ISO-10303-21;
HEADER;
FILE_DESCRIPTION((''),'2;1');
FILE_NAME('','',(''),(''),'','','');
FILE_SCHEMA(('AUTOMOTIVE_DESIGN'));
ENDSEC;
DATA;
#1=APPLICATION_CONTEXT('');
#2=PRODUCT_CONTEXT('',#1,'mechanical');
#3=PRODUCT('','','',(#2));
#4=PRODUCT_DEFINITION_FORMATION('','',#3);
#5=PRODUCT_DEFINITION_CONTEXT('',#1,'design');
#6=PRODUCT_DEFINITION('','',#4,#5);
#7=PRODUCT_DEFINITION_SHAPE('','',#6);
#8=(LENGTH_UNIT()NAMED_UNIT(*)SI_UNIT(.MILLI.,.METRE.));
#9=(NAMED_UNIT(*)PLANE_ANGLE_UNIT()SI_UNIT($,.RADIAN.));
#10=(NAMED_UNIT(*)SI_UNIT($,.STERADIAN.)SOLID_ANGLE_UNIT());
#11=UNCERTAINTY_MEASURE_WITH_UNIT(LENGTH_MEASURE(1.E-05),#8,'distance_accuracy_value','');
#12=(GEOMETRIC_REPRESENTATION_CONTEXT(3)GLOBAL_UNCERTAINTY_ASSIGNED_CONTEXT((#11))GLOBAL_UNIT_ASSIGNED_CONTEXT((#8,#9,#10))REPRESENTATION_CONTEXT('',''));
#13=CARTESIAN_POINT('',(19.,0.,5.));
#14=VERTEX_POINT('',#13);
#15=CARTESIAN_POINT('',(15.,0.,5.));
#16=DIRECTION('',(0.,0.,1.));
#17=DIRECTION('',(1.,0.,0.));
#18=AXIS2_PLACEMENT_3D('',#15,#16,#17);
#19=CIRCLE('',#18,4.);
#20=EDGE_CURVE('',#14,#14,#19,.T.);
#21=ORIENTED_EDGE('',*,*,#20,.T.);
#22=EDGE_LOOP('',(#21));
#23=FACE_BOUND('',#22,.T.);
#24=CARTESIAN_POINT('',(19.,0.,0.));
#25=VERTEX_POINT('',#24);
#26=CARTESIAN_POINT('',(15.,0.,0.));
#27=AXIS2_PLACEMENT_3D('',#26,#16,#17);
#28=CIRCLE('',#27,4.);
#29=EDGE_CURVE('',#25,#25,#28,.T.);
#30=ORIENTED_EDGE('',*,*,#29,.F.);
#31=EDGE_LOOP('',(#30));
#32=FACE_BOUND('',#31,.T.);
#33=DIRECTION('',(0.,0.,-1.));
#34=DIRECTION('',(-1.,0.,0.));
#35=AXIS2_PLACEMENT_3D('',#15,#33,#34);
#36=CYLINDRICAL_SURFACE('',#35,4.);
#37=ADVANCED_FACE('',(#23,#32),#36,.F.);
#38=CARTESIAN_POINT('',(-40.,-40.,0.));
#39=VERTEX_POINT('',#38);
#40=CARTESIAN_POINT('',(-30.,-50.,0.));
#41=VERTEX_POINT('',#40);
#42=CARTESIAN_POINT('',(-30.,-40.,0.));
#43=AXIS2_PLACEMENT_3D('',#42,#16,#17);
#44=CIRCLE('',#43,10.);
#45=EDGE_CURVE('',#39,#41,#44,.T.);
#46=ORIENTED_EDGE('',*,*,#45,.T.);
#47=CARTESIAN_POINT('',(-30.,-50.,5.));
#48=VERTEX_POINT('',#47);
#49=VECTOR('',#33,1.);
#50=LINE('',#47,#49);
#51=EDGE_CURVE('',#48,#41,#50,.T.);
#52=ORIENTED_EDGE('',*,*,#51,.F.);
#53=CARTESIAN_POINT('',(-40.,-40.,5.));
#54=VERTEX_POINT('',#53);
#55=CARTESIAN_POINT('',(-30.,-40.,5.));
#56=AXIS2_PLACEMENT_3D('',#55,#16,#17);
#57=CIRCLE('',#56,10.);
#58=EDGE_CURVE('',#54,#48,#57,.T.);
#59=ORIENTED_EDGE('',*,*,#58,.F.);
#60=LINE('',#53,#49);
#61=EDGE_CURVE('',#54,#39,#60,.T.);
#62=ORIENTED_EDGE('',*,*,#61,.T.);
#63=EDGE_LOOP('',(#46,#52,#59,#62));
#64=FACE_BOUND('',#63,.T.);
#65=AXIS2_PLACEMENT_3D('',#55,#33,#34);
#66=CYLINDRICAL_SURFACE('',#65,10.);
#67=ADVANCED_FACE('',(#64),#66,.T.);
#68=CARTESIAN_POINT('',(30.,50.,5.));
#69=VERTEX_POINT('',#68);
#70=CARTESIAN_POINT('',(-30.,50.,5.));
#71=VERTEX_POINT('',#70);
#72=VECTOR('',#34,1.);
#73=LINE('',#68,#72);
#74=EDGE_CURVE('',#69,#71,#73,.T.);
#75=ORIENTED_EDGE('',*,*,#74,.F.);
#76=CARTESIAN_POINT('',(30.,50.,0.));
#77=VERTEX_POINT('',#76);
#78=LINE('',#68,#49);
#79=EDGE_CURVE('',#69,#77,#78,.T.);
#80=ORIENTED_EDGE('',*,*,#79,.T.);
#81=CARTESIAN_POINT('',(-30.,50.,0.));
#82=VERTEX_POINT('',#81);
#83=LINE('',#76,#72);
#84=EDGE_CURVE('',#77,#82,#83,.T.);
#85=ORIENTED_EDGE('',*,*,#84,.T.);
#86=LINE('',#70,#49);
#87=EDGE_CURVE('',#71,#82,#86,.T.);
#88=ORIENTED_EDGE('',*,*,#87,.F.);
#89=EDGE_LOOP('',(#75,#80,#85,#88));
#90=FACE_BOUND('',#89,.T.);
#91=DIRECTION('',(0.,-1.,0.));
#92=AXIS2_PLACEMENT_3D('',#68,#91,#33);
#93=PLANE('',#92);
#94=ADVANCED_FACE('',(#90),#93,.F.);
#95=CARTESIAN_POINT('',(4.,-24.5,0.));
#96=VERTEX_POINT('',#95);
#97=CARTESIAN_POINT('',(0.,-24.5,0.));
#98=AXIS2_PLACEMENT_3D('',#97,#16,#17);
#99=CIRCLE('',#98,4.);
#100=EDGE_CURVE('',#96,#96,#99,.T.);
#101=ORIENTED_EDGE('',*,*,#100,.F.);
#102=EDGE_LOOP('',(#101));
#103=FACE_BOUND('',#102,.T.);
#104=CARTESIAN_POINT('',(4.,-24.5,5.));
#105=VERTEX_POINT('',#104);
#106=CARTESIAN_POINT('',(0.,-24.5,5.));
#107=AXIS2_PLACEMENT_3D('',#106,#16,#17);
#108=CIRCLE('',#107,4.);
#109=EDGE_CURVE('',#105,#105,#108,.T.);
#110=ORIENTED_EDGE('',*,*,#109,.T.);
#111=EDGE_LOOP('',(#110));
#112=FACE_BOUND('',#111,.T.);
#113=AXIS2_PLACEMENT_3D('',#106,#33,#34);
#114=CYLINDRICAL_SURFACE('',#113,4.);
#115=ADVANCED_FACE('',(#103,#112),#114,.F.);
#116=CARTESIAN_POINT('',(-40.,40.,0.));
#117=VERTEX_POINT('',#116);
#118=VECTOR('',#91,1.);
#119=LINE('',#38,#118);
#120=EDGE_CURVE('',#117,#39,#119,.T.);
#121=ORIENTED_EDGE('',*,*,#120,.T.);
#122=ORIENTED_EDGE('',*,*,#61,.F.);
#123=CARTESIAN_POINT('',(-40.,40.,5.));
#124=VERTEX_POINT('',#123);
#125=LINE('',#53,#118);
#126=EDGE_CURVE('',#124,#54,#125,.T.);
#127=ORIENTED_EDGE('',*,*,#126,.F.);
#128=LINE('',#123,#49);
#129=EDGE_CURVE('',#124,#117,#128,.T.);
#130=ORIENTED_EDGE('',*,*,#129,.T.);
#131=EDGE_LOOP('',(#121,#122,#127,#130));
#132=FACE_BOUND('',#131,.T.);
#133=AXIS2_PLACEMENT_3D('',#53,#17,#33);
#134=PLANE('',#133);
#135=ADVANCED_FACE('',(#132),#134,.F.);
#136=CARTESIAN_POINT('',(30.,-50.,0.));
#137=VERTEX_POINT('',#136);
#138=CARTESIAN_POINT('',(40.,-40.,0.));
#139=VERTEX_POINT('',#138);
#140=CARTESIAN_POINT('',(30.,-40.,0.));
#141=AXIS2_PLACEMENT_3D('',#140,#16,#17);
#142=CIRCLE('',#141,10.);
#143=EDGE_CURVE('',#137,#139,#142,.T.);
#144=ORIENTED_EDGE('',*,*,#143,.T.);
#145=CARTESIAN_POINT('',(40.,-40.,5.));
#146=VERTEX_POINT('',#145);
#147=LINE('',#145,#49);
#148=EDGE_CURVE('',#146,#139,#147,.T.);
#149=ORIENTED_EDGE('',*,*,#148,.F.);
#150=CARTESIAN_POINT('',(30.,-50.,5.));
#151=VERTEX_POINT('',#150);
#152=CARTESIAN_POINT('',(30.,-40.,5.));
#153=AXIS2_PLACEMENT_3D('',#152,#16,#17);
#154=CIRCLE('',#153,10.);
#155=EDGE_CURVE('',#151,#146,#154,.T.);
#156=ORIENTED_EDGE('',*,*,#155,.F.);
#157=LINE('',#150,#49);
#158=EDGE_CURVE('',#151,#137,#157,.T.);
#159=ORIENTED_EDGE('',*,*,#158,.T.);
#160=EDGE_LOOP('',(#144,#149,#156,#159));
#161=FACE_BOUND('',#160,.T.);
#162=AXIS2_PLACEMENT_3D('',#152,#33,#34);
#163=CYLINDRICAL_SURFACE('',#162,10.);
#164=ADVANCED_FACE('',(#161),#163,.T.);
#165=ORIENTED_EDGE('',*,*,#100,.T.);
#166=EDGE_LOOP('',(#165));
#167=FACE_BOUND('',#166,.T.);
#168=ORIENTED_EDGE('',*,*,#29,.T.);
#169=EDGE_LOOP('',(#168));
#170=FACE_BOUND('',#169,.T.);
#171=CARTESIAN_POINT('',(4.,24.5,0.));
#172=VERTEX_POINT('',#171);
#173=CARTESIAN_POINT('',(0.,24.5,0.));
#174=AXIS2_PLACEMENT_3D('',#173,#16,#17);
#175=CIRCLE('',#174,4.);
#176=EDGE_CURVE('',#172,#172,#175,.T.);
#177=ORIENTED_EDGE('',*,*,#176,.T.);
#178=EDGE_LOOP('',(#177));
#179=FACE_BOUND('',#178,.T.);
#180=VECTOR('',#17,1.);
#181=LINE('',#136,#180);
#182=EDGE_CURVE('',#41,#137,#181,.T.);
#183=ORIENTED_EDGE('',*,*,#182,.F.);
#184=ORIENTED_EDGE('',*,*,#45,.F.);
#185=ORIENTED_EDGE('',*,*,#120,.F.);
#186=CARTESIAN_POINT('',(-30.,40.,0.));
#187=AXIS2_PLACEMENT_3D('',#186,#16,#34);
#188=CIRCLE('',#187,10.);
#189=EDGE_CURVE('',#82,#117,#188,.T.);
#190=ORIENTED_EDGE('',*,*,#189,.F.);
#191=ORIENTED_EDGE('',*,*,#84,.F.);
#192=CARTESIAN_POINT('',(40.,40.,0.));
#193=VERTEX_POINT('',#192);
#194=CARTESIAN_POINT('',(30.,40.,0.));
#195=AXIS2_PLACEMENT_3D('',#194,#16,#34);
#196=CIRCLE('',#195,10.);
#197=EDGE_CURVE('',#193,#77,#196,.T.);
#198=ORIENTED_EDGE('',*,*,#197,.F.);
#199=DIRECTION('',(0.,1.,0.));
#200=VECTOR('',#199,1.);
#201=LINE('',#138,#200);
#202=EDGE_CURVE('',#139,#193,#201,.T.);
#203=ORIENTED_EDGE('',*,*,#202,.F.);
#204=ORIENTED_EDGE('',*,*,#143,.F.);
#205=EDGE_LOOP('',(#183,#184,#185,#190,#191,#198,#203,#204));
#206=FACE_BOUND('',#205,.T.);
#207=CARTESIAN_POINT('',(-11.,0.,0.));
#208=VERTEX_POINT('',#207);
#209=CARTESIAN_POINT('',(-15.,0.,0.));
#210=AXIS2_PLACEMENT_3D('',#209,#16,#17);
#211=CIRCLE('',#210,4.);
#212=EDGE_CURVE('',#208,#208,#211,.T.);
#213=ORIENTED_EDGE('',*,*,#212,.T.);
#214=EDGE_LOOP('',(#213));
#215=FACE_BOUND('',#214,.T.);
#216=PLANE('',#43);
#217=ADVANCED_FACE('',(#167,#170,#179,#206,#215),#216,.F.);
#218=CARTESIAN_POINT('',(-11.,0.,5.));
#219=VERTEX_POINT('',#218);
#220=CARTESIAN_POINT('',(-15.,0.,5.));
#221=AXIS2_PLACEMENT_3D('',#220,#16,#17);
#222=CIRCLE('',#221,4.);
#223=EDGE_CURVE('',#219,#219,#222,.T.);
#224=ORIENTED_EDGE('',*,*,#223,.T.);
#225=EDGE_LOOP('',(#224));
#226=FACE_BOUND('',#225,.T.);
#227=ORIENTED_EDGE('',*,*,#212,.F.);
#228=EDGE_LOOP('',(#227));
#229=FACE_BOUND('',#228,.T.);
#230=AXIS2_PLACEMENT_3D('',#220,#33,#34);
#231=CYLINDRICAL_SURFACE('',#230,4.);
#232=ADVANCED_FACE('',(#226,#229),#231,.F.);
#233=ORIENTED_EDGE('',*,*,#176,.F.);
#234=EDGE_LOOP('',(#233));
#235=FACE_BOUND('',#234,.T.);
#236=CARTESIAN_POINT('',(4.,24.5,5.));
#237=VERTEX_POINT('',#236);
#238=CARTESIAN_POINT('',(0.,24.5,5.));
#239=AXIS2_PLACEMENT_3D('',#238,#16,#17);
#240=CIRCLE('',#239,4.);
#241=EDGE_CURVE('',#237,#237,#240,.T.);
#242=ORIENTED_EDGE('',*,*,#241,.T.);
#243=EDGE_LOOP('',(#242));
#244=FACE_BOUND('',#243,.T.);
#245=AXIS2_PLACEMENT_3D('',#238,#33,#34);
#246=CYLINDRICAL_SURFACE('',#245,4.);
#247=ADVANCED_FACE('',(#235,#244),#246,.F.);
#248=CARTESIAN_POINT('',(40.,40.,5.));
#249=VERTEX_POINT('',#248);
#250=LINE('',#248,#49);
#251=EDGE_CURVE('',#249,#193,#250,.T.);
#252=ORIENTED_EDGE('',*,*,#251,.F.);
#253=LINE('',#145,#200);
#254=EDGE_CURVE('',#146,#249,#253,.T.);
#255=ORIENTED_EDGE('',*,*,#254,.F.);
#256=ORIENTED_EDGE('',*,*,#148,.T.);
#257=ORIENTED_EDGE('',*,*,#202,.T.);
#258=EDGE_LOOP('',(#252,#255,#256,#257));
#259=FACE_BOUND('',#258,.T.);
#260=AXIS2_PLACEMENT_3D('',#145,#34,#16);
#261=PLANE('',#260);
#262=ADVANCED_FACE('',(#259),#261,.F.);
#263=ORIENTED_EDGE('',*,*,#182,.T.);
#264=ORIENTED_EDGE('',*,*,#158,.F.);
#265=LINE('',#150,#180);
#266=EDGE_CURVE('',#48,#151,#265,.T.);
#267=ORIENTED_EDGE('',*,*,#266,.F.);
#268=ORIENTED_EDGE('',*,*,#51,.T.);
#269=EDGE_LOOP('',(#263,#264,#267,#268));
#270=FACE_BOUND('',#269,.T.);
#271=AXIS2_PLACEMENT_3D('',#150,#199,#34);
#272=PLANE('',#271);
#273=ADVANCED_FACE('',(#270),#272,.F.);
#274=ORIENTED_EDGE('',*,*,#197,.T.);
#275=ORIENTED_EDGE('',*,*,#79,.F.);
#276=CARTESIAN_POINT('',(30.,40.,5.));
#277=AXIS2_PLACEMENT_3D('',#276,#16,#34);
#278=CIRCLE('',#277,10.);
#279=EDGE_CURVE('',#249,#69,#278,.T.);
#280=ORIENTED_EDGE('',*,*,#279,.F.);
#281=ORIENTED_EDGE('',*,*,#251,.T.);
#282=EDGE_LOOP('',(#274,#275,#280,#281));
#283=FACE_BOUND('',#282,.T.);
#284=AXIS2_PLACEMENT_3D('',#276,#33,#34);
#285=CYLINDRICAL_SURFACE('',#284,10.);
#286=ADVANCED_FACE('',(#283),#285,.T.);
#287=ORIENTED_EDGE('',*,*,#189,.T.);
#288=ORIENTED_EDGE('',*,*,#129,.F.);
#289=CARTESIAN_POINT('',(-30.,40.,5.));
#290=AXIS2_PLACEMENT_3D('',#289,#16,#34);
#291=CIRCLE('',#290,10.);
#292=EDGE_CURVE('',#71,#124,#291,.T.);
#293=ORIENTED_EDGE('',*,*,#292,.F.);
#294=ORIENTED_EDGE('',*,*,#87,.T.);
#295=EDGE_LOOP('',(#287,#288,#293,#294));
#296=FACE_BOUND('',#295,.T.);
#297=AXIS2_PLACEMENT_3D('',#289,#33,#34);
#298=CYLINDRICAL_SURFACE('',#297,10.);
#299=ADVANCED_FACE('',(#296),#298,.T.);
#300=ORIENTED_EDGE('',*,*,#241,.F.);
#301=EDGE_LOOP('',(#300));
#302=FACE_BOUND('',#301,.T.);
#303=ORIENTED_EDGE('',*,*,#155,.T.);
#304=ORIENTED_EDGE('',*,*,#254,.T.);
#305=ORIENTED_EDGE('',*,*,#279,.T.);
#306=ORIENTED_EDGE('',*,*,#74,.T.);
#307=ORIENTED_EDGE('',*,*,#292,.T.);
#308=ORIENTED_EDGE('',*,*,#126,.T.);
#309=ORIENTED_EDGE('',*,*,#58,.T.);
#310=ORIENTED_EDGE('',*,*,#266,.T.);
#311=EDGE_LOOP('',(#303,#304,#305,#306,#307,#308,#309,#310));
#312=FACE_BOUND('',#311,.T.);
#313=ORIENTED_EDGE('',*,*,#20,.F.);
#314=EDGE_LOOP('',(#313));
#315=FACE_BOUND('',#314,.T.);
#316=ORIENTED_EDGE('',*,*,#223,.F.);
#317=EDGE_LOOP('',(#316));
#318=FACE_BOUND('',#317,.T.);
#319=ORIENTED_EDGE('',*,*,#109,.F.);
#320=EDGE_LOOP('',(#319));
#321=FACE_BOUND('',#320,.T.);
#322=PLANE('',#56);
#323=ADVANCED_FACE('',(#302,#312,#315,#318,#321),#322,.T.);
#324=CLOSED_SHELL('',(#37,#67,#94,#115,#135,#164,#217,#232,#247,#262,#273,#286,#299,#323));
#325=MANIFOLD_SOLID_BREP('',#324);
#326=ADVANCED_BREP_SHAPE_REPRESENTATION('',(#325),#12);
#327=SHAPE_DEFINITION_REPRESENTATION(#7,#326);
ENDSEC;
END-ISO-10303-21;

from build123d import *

# Parameters (mm, degrees)
IZIM1_R                     = 4
Y_KSEKLIK_EKSTR_ZYON1_DEPTH = 5


with BuildPart() as part:
    # Çizim1 → Yükseklik-Ekstrüzyon1 (new body)
    with BuildSketch(Plane.XY):
        with BuildLine():
            Line((30, -50), (-30, -50))
            ThreePointArc((-30, -50), (-37.071067812, -47.071067812), (-40, -40))
            Line((-40, -40), (-40, 40))
            ThreePointArc((-40, 40), (-37.071067812, 47.071067812), (-30, 50))
            Line((-30, 50), (30, 50))
            ThreePointArc((30, 50), (37.071067812, 47.071067812), (40, 40))
            Line((40, 40), (40, -40))
            ThreePointArc((40, -40), (37.071067812, -47.071067812), (30, -50))
        make_face()
        with Locations((0, 24.5)):
            Circle(IZIM1_R, mode=Mode.SUBTRACT)
        with Locations((0, -24.5)):
            Circle(IZIM1_R, mode=Mode.SUBTRACT)
        with Locations((-15, 0)):
            Circle(IZIM1_R, mode=Mode.SUBTRACT)
        with Locations((15, 0)):
            Circle(IZIM1_R, mode=Mode.SUBTRACT)
    extrude(amount=Y_KSEKLIK_EKSTR_ZYON1_DEPTH)


solid = part.part
